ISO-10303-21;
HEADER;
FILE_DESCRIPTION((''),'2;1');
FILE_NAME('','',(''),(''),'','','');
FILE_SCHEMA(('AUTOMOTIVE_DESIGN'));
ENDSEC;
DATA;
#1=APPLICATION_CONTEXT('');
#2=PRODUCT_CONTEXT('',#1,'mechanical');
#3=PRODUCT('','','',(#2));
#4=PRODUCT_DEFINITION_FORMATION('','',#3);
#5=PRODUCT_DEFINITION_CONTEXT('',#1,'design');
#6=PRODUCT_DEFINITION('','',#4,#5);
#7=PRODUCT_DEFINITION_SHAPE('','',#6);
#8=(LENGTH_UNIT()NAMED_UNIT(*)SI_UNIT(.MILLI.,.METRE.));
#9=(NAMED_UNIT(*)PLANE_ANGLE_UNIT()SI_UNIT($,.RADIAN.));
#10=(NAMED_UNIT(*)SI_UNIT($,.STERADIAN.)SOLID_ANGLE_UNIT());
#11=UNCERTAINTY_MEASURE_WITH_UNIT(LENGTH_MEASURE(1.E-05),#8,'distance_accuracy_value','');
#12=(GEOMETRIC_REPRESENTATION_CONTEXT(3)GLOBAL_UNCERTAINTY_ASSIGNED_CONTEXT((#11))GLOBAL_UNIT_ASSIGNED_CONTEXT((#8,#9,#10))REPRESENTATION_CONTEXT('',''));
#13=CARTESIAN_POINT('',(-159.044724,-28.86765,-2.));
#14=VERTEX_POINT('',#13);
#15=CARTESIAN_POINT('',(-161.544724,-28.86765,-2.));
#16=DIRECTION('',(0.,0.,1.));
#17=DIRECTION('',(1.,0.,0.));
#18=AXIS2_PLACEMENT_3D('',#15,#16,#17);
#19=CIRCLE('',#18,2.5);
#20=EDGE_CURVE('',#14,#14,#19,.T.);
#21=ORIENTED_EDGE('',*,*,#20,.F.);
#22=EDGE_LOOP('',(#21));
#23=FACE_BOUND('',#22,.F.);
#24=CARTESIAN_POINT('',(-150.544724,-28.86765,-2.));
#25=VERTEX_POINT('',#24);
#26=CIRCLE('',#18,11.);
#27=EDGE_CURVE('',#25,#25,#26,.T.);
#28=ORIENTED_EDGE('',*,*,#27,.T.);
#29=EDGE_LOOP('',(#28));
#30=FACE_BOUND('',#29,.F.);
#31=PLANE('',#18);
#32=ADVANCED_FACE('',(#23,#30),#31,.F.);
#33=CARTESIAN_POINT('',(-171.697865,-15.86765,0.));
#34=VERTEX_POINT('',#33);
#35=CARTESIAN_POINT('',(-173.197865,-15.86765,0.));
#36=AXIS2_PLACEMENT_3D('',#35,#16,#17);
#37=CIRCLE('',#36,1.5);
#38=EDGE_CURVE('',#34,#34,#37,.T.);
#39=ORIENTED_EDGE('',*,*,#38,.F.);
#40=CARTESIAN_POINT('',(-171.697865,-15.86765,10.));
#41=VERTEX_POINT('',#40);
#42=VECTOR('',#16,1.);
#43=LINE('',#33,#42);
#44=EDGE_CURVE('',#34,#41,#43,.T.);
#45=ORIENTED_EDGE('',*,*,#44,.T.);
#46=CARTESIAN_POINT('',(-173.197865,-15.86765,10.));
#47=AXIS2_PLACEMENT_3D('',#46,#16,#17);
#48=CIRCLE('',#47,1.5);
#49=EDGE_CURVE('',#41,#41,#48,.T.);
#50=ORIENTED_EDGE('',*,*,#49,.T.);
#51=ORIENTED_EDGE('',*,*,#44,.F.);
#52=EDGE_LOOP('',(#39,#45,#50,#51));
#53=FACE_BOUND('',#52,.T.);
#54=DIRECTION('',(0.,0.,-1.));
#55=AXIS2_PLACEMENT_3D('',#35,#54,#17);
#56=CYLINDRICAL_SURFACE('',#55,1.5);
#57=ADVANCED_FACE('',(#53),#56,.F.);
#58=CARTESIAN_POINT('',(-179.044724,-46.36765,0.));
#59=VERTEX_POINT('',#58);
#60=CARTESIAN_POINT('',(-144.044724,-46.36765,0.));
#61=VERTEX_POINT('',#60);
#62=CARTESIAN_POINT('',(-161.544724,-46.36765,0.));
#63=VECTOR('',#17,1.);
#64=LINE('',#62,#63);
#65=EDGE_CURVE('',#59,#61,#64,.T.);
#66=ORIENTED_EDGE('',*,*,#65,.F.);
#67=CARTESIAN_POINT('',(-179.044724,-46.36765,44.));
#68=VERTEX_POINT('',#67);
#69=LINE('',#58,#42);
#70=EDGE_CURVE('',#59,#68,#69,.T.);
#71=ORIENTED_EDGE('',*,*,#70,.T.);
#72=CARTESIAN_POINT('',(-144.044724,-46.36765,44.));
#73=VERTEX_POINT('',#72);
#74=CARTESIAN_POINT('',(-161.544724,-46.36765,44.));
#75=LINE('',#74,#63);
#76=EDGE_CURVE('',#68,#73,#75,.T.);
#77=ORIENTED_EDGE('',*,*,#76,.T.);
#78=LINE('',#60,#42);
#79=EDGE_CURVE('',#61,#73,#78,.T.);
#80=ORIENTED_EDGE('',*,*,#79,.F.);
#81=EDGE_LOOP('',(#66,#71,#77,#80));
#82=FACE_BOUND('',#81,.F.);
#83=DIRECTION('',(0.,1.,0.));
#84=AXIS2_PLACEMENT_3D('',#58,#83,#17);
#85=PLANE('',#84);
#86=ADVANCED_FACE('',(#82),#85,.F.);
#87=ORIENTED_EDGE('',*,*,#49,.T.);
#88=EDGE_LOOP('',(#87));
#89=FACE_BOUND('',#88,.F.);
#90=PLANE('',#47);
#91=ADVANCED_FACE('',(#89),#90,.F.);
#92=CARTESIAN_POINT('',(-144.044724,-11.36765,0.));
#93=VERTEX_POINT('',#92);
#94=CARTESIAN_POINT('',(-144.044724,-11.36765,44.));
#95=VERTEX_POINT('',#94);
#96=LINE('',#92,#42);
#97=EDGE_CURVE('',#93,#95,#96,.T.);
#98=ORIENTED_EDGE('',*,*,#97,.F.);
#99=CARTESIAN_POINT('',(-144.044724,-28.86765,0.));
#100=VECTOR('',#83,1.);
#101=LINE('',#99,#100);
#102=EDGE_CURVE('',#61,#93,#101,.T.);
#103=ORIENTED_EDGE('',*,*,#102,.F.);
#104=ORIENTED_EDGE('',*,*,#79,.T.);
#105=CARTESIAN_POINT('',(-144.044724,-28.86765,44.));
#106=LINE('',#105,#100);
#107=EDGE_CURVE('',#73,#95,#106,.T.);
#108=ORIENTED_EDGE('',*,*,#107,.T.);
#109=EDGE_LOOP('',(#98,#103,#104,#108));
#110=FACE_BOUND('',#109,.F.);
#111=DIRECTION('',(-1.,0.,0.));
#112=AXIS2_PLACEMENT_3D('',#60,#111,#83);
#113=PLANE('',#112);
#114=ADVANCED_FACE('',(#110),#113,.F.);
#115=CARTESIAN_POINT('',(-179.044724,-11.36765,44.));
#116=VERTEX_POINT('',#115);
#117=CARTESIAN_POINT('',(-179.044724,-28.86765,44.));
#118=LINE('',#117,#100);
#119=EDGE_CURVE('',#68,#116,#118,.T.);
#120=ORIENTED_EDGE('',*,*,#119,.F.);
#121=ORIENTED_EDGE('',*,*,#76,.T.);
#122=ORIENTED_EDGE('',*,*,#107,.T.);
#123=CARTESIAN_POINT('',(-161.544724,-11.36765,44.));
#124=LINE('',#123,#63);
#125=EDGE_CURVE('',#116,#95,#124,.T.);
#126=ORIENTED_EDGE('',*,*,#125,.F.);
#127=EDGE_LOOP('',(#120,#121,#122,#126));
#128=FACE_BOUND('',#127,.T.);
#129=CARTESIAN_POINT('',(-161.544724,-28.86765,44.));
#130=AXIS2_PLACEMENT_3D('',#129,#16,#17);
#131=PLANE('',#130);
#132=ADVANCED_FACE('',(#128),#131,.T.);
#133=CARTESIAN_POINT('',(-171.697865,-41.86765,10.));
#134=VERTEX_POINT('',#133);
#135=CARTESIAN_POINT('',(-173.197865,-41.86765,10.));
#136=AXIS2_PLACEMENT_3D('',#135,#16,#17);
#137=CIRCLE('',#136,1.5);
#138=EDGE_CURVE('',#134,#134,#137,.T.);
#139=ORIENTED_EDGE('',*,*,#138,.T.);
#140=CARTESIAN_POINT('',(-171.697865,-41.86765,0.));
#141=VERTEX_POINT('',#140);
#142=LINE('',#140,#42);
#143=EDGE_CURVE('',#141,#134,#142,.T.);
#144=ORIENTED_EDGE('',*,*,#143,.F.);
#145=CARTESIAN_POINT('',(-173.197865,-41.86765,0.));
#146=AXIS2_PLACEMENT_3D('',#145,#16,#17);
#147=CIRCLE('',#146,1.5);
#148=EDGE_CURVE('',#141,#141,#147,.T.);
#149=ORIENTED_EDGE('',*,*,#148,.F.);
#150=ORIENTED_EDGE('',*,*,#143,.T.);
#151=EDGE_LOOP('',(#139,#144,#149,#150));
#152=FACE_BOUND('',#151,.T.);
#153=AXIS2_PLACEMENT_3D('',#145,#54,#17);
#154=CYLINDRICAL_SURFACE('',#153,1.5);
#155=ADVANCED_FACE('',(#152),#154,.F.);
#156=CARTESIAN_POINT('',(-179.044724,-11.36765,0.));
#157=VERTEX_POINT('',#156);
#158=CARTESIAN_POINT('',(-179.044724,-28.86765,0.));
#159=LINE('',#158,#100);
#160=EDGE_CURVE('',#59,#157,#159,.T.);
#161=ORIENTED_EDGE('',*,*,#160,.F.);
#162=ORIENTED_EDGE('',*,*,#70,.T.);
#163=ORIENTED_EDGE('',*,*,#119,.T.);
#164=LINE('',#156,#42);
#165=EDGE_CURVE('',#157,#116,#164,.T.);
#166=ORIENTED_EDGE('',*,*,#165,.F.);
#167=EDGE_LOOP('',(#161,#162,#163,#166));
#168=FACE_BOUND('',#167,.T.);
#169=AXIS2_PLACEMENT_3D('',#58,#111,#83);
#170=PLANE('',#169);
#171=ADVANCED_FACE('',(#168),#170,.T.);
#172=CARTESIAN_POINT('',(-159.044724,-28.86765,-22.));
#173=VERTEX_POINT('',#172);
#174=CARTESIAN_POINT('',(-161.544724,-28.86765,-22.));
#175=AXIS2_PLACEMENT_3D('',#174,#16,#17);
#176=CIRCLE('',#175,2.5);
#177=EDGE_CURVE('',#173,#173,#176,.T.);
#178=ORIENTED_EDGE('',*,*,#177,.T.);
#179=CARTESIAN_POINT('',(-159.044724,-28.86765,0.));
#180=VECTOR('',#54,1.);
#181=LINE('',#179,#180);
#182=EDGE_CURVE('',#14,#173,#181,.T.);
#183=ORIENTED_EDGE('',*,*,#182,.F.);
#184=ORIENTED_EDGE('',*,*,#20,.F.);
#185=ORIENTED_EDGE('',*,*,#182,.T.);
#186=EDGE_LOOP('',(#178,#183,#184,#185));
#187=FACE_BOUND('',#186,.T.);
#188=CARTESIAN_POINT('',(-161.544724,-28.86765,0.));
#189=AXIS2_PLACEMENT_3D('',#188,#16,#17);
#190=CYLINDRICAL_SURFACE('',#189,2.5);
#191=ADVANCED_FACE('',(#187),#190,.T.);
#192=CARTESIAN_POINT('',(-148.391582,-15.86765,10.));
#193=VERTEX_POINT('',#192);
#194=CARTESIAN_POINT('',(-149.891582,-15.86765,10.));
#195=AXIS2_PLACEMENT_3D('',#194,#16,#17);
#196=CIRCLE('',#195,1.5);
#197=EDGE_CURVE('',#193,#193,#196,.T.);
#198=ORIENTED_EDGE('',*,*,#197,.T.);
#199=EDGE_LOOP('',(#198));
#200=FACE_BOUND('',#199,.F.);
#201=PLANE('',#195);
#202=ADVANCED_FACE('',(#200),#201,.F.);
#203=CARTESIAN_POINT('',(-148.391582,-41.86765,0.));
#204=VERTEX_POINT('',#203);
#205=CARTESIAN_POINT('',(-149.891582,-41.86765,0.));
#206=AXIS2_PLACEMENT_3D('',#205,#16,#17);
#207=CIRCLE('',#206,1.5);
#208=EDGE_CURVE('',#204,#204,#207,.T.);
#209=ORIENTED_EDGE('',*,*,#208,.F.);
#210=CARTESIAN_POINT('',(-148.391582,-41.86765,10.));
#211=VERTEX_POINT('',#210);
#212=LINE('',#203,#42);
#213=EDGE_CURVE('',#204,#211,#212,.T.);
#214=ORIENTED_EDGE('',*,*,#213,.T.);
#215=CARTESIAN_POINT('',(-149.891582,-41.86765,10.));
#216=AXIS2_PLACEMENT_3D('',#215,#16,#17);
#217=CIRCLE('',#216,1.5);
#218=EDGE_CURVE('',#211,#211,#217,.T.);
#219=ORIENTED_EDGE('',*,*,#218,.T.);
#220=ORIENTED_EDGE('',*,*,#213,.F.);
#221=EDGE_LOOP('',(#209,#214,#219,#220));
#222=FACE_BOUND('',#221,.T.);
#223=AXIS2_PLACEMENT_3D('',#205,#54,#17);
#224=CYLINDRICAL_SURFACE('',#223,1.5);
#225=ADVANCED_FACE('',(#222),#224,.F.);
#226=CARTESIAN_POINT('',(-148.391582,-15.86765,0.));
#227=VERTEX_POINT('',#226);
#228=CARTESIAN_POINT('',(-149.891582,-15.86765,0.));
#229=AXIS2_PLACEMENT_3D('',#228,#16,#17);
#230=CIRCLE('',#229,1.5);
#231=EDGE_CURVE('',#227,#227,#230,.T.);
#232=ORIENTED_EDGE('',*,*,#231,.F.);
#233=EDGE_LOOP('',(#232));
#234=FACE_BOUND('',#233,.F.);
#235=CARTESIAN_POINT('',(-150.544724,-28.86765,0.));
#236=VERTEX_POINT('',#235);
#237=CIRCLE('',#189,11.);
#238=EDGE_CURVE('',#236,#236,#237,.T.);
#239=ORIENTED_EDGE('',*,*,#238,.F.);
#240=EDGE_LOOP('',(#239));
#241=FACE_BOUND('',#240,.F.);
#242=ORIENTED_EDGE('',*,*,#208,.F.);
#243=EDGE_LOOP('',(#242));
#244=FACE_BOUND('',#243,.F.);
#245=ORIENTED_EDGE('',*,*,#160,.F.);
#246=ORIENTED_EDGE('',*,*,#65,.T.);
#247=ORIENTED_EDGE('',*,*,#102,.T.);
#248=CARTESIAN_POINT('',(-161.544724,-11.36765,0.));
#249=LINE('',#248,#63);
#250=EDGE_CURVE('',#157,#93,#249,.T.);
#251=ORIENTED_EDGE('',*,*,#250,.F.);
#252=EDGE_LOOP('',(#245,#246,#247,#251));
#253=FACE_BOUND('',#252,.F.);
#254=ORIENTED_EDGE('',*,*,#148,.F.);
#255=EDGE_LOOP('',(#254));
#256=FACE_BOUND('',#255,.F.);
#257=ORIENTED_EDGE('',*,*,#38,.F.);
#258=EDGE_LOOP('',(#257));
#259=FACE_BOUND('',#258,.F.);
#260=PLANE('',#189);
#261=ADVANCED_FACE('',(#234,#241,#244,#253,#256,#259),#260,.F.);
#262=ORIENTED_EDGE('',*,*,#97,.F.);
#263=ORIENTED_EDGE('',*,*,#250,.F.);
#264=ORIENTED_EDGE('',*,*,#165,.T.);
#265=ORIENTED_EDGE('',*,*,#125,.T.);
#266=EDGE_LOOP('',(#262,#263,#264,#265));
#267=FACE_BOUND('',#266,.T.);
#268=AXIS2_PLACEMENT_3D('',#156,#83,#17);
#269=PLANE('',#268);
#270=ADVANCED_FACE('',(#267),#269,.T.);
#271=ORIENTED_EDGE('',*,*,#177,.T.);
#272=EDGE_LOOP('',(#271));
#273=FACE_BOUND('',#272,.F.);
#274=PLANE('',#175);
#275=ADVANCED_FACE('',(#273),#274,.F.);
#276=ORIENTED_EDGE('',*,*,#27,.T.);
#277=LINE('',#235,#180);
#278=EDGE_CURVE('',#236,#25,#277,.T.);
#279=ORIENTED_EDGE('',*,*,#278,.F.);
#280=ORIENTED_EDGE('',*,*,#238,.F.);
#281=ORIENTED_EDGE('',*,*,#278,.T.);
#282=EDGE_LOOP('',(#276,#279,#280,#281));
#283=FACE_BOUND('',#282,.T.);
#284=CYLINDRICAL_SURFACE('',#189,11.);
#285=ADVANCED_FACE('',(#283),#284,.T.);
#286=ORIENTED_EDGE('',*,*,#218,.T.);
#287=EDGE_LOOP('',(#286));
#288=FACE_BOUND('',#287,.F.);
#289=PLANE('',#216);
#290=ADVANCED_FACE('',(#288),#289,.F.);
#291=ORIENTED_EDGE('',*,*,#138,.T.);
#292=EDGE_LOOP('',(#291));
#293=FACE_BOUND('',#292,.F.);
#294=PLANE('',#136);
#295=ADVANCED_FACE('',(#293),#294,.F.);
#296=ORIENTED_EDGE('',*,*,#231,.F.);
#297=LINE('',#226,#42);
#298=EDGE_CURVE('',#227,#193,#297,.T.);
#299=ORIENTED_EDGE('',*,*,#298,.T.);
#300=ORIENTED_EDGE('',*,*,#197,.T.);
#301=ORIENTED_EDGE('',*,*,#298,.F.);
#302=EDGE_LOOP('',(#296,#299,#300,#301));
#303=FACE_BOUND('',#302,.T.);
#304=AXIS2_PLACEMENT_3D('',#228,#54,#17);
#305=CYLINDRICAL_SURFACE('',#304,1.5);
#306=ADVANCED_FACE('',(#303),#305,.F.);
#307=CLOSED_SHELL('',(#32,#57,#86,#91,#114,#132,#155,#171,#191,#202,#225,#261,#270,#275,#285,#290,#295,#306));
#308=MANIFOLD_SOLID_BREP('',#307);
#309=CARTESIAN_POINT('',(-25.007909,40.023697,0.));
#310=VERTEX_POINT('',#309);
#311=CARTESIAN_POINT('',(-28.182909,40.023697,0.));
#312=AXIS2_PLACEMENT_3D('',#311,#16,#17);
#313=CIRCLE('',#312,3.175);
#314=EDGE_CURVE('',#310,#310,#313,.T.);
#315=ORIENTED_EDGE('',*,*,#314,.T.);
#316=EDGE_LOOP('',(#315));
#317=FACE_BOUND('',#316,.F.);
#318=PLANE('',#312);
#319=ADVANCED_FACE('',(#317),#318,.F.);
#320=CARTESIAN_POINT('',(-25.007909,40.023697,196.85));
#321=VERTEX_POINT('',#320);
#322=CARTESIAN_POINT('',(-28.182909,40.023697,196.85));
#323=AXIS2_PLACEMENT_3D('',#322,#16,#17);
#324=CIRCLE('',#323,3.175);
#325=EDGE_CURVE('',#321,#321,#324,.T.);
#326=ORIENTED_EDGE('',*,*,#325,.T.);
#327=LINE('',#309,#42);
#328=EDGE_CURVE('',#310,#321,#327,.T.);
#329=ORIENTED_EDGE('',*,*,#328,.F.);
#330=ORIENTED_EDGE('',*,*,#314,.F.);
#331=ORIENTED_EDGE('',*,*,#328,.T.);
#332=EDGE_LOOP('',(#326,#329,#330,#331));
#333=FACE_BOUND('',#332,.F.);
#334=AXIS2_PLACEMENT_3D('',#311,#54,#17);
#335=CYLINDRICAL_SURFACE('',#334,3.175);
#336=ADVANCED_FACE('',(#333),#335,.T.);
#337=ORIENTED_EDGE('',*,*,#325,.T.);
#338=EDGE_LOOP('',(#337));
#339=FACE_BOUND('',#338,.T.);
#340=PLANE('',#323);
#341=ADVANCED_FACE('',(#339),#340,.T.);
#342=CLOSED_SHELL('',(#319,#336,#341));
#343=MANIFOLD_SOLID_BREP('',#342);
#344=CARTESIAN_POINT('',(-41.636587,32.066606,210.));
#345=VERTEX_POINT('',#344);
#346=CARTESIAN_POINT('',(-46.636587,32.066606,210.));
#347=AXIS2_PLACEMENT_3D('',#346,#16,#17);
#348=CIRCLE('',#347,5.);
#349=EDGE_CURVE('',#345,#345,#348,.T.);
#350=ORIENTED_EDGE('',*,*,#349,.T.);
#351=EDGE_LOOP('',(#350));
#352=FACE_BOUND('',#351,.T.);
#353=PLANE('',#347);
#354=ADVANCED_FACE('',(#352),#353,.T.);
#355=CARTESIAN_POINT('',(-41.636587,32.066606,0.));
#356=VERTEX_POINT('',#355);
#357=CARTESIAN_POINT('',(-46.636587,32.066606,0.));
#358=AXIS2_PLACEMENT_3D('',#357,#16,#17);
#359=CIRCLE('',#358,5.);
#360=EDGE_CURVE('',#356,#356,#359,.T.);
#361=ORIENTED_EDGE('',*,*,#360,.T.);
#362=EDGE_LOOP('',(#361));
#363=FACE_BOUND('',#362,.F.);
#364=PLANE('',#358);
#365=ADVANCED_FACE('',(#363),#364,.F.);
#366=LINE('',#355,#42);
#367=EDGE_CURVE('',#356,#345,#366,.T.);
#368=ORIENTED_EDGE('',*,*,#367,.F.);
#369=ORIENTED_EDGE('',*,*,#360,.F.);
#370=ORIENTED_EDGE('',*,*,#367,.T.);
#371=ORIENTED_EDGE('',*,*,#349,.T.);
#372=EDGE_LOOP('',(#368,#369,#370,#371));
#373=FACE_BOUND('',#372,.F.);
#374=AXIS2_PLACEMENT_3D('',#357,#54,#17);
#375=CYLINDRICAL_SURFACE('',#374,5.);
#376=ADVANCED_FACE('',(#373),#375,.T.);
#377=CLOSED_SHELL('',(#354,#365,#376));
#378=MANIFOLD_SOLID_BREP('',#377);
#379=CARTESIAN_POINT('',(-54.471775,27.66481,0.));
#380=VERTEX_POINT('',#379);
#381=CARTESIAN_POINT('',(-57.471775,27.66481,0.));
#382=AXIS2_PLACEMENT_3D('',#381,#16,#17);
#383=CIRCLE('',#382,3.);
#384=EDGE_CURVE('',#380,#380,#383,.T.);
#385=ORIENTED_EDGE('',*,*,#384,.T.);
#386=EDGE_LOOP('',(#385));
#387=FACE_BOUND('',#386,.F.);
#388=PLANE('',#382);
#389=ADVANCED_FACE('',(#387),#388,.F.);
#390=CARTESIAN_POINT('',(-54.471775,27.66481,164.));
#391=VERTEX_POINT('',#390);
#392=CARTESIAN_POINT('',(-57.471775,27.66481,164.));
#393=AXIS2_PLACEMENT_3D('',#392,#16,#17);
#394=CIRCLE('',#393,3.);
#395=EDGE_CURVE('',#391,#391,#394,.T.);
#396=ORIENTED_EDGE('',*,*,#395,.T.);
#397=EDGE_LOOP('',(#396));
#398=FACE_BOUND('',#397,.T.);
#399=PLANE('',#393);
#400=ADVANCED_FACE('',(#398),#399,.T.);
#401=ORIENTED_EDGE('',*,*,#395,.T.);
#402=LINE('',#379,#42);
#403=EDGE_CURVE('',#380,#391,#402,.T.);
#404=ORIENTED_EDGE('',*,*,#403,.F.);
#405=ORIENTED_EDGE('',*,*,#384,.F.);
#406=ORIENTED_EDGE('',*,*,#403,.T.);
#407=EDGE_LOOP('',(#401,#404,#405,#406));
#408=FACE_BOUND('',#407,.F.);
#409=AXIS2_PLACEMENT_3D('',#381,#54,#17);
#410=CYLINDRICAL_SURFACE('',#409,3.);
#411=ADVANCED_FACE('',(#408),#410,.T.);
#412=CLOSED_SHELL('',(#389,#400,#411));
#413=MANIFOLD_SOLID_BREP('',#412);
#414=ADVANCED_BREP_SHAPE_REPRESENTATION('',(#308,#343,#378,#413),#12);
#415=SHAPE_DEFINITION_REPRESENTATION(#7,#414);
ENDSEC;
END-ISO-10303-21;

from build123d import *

# Parameters (mm, degrees)
F0_R     = 3
F1_DEPTH = 164
F0_R_2   = 5
F2_DEPTH = 210
F0_R_3   = 3.175
F3_DEPTH = 196.85
F0_W     = 35
F0_H     = 35
F0_R_4   = 1.5
F0_R_5   = 11
F0_R_6   = 2.5
F4_DEPTH = 44
F5_DEPTH = 2
F6_DEPTH = 10
F7_DEPTH = 22


with BuildPart() as f1:
    # F0 (on Top) → F1 (new body)
    with BuildSketch(Plane.XY):
        with Locations((-57.471775, 27.66481)):
            Circle(F0_R)
    extrude(amount=F1_DEPTH)


with BuildPart() as f2:
    # F0 (on Top) → F2 (new body)
    with BuildSketch(Plane.XY):
        with Locations((-46.636587, 32.066606)):
            Circle(F0_R_2)
    extrude(amount=F2_DEPTH)


with BuildPart() as f3:
    # F0 (on Top) → F3 (new body)
    with BuildSketch(Plane.XY):
        with Locations((-28.182909, 40.023697)):
            Circle(F0_R_3)
    extrude(amount=F3_DEPTH)


with BuildPart() as f4:
    # F0 (on Top) → F4 (new body)
    with BuildSketch(Plane.XY):
        with Locations((-161.544724, -28.86765)):
            Rectangle(F0_W, F0_H)
        with Locations((-173.197865, -41.86765)):
            Circle(F0_R_4, mode=Mode.SUBTRACT)
        with Locations((-149.891582, -41.86765)):
            Circle(F0_R_4, mode=Mode.SUBTRACT)
        with Locations((-161.544724, -28.86765)):
            Circle(F0_R_5, mode=Mode.SUBTRACT)
        with Locations((-173.197865, -15.86765)):
            Circle(F0_R_4, mode=Mode.SUBTRACT)
        with Locations((-149.891582, -15.86765)):
            Circle(F0_R_4, mode=Mode.SUBTRACT)
        with Locations((-161.544724, -28.86765)):
            Circle(F0_R_5)
        with Locations((-161.544724, -28.86765)):
            Circle(F0_R_6, mode=Mode.SUBTRACT)
        with Locations((-161.544724, -28.86765)):
            Circle(F0_R_6)
        with Locations((-149.891582, -41.86765)):
            Circle(F0_R_4)
        with Locations((-173.197865, -41.86765)):
            Circle(F0_R_4)
        with Locations((-173.197865, -15.86765)):
            Circle(F0_R_4)
        with Locations((-149.891582, -15.86765)):
            Circle(F0_R_4)
    extrude(amount=F4_DEPTH)

    # F0 (on Top) → F5 (join)
    with BuildSketch(Plane.XY):
        with Locations((-161.544724, -28.86765)):
            Circle(F0_R_5)
        with Locations((-161.544724, -28.86765)):
            Circle(F0_R_6, mode=Mode.SUBTRACT)
        with Locations((-161.544724, -28.86765)):
            Circle(F0_R_6)
    extrude(amount=-F5_DEPTH)

    # F0 (on Top) → F6 (cut)
    with BuildSketch(Plane.XY):
        with Locations((-173.197865, -41.86765)):
            Circle(F0_R_4)
        with Locations((-149.891582, -41.86765)):
            Circle(F0_R_4)
        with Locations((-149.891582, -15.86765)):
            Circle(F0_R_4)
        with Locations((-173.197865, -15.86765)):
            Circle(F0_R_4)
    extrude(amount=F6_DEPTH, mode=Mode.SUBTRACT)

    # F0 (on Top) → F7 (join)
    with BuildSketch(Plane.XY):
        with Locations((-161.544724, -28.86765)):
            Circle(F0_R_6)
    extrude(amount=-F7_DEPTH)


solid = Compound([f1.part, f2.part, f3.part, f4.part])
